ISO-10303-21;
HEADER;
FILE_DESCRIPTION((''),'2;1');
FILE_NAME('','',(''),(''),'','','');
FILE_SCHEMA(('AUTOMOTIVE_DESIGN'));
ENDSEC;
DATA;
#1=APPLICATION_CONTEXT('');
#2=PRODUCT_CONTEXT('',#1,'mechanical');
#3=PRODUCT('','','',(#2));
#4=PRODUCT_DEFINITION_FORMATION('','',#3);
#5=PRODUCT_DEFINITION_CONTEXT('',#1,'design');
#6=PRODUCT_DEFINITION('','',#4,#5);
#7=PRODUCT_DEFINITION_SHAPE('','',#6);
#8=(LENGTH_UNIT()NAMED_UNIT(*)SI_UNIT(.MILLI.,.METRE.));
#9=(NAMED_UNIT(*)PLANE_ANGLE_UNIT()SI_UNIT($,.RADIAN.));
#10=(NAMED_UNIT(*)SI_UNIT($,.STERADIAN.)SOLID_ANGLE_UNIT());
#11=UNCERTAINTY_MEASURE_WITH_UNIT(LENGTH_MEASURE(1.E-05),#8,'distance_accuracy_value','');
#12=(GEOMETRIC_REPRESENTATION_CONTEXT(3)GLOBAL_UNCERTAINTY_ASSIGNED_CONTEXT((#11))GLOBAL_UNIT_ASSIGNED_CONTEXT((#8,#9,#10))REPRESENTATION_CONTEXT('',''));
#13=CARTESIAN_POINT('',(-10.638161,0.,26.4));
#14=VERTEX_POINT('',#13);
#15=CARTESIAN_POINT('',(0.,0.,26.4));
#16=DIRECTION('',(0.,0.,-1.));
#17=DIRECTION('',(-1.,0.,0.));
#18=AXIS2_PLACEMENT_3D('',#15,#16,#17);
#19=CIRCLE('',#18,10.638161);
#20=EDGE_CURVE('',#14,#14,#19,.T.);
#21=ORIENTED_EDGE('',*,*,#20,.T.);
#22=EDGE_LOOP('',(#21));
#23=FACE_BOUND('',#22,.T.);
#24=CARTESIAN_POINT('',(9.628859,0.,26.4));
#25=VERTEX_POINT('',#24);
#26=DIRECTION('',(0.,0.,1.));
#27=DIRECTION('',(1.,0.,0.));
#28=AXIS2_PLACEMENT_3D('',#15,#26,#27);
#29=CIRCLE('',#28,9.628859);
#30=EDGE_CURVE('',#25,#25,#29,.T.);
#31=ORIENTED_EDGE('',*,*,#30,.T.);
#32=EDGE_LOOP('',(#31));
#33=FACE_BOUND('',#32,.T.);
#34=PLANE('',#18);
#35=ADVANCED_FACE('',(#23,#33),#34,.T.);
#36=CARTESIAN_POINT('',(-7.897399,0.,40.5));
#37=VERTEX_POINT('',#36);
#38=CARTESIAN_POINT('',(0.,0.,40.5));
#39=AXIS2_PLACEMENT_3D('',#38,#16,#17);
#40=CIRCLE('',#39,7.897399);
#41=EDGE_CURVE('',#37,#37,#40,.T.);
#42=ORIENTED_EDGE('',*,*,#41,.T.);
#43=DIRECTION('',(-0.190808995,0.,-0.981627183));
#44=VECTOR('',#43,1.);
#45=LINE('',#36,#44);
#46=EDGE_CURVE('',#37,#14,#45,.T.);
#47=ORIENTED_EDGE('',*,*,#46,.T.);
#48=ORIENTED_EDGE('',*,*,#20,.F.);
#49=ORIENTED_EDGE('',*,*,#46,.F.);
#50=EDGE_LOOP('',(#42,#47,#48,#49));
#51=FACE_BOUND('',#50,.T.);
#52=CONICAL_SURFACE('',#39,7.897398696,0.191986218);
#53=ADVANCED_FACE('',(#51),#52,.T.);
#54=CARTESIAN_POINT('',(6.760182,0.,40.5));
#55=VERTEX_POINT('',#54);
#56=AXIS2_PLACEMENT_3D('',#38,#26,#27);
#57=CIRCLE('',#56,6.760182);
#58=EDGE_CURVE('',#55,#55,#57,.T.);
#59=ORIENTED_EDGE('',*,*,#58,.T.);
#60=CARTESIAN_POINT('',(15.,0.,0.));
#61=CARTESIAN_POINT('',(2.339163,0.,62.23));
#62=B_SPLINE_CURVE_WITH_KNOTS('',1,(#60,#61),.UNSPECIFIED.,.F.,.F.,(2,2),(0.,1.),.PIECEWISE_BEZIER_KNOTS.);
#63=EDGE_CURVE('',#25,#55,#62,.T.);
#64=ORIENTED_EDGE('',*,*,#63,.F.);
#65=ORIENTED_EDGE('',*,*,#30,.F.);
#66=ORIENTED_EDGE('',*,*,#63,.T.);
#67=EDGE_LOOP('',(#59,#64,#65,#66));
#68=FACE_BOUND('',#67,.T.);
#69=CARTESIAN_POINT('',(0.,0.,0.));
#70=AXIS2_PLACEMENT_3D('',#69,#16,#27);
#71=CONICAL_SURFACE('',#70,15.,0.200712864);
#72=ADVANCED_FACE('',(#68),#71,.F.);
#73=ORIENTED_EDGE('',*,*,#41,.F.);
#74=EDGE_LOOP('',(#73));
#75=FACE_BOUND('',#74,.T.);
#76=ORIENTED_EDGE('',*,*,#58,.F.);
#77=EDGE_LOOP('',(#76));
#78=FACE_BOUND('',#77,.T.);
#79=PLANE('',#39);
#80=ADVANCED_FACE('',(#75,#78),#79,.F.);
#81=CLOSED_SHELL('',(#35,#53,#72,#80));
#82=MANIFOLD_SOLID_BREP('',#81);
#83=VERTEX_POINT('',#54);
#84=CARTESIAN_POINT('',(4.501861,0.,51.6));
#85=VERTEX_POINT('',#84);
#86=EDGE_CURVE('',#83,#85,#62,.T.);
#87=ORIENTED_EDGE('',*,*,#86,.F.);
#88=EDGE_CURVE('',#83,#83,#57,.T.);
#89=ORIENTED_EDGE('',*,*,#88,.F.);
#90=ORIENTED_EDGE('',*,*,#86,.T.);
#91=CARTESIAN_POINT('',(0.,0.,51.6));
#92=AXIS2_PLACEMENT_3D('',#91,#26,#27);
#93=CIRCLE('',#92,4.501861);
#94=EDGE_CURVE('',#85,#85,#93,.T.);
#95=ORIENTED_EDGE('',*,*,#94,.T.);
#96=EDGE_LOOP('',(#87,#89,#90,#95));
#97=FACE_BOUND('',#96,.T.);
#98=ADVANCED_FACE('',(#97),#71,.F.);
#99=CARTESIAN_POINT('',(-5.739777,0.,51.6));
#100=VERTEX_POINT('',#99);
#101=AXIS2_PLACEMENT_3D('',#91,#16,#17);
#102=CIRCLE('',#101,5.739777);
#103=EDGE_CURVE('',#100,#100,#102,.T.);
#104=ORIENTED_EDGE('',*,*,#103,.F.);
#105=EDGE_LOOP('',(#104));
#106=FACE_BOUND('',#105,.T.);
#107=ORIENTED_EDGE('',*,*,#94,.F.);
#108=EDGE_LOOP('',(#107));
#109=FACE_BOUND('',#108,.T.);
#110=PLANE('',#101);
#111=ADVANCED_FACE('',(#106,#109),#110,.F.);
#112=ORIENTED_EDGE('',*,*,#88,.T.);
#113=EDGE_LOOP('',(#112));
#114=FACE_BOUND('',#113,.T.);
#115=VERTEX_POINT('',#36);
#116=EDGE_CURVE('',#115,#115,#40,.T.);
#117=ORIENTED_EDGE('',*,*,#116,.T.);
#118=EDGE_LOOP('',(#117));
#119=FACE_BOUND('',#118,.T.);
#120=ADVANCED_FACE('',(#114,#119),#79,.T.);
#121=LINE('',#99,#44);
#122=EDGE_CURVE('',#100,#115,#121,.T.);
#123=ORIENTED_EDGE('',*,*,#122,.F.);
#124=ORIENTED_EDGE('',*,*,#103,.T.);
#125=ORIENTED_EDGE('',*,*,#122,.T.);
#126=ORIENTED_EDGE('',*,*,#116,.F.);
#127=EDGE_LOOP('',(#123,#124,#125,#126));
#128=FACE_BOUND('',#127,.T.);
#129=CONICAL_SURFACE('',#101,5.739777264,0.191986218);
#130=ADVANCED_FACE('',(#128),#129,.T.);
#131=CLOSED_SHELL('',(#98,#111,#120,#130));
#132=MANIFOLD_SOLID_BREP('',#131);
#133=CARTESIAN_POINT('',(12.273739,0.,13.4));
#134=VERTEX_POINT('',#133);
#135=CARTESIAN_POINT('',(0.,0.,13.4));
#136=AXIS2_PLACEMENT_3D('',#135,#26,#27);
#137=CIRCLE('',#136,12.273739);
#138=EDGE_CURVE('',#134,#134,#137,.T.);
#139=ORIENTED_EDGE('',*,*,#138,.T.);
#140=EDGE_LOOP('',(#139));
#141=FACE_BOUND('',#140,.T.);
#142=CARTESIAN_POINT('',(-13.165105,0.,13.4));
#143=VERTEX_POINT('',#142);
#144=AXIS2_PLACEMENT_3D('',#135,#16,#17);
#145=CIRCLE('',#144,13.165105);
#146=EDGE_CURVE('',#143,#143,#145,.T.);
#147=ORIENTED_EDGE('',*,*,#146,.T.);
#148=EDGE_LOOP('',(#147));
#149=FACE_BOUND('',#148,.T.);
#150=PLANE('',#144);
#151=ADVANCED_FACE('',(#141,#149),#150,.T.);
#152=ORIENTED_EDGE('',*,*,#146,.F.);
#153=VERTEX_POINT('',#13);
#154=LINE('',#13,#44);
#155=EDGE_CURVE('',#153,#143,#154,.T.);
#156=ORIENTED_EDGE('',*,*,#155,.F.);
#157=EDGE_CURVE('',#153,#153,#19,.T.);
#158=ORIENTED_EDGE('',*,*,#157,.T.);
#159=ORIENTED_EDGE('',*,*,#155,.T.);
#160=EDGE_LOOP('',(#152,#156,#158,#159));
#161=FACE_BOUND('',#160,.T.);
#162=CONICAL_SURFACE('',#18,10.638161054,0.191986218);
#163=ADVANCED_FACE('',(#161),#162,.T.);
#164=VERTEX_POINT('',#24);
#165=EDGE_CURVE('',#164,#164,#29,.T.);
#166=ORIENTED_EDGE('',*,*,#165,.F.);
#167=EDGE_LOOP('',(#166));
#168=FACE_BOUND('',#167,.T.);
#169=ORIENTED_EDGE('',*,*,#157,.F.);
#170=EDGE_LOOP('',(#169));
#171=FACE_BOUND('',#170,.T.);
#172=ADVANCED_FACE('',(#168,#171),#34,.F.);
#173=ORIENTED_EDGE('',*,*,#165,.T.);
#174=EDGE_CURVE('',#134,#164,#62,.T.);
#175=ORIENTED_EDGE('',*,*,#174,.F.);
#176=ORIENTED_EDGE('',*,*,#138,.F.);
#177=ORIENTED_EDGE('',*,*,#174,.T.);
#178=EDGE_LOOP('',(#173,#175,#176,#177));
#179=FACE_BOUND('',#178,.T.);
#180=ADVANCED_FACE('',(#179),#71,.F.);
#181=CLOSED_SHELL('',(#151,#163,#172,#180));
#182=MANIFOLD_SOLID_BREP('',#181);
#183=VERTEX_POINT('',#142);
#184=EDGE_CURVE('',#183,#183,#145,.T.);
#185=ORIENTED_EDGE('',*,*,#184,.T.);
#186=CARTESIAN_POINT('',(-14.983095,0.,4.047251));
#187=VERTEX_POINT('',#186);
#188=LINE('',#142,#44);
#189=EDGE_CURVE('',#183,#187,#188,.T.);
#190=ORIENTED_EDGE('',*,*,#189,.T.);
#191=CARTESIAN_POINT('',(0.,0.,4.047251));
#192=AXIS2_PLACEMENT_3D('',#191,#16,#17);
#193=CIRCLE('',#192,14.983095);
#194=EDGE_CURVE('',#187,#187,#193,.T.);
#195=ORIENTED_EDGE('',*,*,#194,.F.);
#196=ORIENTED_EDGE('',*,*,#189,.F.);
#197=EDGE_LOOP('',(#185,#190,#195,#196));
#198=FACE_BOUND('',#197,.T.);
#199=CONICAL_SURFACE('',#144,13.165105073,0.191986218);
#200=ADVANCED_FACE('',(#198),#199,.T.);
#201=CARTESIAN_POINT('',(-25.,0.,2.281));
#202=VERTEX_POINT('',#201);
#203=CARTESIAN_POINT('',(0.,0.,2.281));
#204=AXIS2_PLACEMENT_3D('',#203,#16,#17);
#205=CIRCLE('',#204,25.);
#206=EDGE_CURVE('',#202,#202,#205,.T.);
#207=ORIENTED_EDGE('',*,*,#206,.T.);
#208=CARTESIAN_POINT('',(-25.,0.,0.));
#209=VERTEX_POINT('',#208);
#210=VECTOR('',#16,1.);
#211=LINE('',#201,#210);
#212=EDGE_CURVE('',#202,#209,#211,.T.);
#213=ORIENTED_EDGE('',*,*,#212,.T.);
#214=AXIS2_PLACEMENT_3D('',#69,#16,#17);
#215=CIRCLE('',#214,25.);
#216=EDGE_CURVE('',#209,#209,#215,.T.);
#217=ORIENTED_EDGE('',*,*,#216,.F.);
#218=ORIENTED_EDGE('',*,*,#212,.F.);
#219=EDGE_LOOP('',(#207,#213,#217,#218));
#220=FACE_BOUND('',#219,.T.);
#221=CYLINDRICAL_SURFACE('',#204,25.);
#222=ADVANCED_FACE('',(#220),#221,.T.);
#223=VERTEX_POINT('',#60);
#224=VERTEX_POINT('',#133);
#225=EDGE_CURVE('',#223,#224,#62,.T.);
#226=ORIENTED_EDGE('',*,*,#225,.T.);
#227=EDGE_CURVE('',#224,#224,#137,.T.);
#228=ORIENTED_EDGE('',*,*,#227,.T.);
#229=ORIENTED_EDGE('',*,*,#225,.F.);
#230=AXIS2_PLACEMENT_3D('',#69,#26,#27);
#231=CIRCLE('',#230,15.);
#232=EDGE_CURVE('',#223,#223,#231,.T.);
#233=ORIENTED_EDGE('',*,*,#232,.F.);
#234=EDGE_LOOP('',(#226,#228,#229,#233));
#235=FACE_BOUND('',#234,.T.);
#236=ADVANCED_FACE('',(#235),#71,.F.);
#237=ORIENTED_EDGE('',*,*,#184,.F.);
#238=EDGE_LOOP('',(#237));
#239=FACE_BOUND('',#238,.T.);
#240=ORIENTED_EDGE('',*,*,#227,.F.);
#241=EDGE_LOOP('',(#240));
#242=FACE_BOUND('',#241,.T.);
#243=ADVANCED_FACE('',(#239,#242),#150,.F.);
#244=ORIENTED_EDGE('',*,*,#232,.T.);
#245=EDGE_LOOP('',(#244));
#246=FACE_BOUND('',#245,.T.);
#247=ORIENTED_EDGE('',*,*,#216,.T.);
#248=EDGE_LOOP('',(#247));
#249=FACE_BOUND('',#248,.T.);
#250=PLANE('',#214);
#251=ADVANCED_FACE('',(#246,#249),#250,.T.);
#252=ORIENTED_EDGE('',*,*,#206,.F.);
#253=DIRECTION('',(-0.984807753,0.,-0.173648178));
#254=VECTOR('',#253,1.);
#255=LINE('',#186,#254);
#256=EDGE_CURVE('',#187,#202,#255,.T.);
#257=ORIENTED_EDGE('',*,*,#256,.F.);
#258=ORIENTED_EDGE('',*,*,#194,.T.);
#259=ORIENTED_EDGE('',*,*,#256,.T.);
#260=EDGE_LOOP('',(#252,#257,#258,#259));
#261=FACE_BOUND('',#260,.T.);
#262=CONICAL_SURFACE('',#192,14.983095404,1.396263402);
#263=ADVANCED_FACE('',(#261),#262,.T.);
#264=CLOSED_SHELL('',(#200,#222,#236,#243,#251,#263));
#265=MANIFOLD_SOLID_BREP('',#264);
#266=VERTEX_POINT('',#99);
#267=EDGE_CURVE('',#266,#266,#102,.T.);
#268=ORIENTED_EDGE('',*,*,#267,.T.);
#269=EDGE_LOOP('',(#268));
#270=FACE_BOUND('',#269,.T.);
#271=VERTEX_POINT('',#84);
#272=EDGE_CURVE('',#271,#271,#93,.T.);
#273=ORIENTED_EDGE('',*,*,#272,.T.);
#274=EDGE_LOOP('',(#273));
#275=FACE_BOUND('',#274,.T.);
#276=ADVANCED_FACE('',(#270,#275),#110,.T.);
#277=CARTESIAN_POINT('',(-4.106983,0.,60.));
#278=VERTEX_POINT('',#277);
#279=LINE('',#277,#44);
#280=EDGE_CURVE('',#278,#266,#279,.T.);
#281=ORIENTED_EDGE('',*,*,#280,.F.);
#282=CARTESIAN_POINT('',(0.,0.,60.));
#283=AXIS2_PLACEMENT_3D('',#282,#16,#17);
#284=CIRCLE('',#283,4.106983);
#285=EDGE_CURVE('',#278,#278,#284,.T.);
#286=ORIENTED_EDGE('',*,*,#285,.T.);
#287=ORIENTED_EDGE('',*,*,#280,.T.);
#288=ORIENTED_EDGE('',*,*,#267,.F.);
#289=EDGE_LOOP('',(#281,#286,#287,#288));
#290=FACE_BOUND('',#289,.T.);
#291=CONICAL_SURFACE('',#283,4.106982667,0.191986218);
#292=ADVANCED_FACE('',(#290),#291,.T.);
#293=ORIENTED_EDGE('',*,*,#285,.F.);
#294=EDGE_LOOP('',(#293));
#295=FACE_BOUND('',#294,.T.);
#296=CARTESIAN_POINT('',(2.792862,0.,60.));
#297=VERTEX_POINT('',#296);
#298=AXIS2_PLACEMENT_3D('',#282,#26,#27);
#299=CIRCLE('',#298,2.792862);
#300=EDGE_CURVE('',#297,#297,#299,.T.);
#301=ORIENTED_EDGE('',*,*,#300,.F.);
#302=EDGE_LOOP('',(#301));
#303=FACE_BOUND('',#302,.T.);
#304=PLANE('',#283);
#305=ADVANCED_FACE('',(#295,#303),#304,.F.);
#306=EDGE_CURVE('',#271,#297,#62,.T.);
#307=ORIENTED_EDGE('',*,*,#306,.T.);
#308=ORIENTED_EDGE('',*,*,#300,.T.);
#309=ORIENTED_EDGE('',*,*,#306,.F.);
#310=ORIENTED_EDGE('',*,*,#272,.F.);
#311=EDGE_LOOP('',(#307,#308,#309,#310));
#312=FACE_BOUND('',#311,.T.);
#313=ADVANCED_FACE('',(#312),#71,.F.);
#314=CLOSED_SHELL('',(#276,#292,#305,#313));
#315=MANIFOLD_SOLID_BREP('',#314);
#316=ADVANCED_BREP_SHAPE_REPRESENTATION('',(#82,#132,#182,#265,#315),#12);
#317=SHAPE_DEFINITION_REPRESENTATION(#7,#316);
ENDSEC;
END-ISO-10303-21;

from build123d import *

# Parameters (mm, degrees)
F6_R     = 15
F7_DEPTH = 62.23
F7_TAPER = 11.5


with BuildPart() as f1:
    # F0 (on Front) → F1 (revolve)
    with BuildSketch(Plane.XZ):
        Polygon((-5.7397772641, 51.6), (0, 51.6), (0, 60), (-4.1069826674, 60), align=None)
    revolve(axis=Axis((0, 0, 30), (0, 0, -1)))


with BuildPart() as f2:
    # F0 (on Front) → F2 (revolve)
    with BuildSketch(Plane.XZ):
        Polygon((-7.8973986956, 40.5), (0, 40.5), (0, 51.6), (-5.7397772641, 51.6), align=None)
    revolve(axis=Axis((0, 0, 30), (0, 0, -1)))


with BuildPart() as f3:
    # F0 (on Front) → F3 (revolve)
    with BuildSketch(Plane.XZ):
        Polygon((-10.6381610544, 26.4), (0, 26.4), (0, 40.5), (-7.8973986956, 40.5), align=None)
    revolve(axis=Axis((0, 0, 30), (0, 0, -1)))


with BuildPart() as f4:
    # F0 (on Front) → F4 (revolve)
    with BuildSketch(Plane.XZ):
        Polygon((-13.1651050732, 13.4), (0, 13.4), (0, 26.4), (-10.6381610544, 26.4), align=None)
    revolve(axis=Axis((0, 0, 30), (0, 0, -1)))


with BuildPart() as f5:
    # F0 (on Front) → F5 (revolve)
    with BuildSketch(Plane.XZ):
        Polygon((-25, 2.281), (-25, 0), (0, 0), (0, 13.4), (-13.1651050732, 13.4), (-14.9830954039, 4.0472505435), align=None)
    revolve(axis=Axis((0, 0, 30), (0, 0, -1)))


with BuildPart() as f7_tool:
    # F6 (on face) → F7 (new body)
    with BuildSketch(Plane(origin=(0, 0, 0), x_dir=(1, 0, 0), z_dir=(0, 0, -1))):
        Circle(F6_R)
    extrude(amount=-F7_DEPTH, taper=F7_TAPER)


with BuildPart() as f1_1:
    add(f1.part)

    # F7: cut by f7_tool
    add(f7_tool.part, mode=Mode.SUBTRACT)


with BuildPart() as f2_1:
    add(f2.part)

    # F7: cut by f7_tool
    add(f7_tool.part, mode=Mode.SUBTRACT)


with BuildPart() as f3_1:
    add(f3.part)

    # F7: cut by f7_tool
    add(f7_tool.part, mode=Mode.SUBTRACT)


with BuildPart() as f4_1:
    add(f4.part)

    # F7: cut by f7_tool
    add(f7_tool.part, mode=Mode.SUBTRACT)


with BuildPart() as f5_1:
    add(f5.part)

    # F7: cut by f7_tool
    add(f7_tool.part, mode=Mode.SUBTRACT)


solid = Compound([f1_1.part, f2_1.part, f3_1.part, f4_1.part, f5_1.part])
